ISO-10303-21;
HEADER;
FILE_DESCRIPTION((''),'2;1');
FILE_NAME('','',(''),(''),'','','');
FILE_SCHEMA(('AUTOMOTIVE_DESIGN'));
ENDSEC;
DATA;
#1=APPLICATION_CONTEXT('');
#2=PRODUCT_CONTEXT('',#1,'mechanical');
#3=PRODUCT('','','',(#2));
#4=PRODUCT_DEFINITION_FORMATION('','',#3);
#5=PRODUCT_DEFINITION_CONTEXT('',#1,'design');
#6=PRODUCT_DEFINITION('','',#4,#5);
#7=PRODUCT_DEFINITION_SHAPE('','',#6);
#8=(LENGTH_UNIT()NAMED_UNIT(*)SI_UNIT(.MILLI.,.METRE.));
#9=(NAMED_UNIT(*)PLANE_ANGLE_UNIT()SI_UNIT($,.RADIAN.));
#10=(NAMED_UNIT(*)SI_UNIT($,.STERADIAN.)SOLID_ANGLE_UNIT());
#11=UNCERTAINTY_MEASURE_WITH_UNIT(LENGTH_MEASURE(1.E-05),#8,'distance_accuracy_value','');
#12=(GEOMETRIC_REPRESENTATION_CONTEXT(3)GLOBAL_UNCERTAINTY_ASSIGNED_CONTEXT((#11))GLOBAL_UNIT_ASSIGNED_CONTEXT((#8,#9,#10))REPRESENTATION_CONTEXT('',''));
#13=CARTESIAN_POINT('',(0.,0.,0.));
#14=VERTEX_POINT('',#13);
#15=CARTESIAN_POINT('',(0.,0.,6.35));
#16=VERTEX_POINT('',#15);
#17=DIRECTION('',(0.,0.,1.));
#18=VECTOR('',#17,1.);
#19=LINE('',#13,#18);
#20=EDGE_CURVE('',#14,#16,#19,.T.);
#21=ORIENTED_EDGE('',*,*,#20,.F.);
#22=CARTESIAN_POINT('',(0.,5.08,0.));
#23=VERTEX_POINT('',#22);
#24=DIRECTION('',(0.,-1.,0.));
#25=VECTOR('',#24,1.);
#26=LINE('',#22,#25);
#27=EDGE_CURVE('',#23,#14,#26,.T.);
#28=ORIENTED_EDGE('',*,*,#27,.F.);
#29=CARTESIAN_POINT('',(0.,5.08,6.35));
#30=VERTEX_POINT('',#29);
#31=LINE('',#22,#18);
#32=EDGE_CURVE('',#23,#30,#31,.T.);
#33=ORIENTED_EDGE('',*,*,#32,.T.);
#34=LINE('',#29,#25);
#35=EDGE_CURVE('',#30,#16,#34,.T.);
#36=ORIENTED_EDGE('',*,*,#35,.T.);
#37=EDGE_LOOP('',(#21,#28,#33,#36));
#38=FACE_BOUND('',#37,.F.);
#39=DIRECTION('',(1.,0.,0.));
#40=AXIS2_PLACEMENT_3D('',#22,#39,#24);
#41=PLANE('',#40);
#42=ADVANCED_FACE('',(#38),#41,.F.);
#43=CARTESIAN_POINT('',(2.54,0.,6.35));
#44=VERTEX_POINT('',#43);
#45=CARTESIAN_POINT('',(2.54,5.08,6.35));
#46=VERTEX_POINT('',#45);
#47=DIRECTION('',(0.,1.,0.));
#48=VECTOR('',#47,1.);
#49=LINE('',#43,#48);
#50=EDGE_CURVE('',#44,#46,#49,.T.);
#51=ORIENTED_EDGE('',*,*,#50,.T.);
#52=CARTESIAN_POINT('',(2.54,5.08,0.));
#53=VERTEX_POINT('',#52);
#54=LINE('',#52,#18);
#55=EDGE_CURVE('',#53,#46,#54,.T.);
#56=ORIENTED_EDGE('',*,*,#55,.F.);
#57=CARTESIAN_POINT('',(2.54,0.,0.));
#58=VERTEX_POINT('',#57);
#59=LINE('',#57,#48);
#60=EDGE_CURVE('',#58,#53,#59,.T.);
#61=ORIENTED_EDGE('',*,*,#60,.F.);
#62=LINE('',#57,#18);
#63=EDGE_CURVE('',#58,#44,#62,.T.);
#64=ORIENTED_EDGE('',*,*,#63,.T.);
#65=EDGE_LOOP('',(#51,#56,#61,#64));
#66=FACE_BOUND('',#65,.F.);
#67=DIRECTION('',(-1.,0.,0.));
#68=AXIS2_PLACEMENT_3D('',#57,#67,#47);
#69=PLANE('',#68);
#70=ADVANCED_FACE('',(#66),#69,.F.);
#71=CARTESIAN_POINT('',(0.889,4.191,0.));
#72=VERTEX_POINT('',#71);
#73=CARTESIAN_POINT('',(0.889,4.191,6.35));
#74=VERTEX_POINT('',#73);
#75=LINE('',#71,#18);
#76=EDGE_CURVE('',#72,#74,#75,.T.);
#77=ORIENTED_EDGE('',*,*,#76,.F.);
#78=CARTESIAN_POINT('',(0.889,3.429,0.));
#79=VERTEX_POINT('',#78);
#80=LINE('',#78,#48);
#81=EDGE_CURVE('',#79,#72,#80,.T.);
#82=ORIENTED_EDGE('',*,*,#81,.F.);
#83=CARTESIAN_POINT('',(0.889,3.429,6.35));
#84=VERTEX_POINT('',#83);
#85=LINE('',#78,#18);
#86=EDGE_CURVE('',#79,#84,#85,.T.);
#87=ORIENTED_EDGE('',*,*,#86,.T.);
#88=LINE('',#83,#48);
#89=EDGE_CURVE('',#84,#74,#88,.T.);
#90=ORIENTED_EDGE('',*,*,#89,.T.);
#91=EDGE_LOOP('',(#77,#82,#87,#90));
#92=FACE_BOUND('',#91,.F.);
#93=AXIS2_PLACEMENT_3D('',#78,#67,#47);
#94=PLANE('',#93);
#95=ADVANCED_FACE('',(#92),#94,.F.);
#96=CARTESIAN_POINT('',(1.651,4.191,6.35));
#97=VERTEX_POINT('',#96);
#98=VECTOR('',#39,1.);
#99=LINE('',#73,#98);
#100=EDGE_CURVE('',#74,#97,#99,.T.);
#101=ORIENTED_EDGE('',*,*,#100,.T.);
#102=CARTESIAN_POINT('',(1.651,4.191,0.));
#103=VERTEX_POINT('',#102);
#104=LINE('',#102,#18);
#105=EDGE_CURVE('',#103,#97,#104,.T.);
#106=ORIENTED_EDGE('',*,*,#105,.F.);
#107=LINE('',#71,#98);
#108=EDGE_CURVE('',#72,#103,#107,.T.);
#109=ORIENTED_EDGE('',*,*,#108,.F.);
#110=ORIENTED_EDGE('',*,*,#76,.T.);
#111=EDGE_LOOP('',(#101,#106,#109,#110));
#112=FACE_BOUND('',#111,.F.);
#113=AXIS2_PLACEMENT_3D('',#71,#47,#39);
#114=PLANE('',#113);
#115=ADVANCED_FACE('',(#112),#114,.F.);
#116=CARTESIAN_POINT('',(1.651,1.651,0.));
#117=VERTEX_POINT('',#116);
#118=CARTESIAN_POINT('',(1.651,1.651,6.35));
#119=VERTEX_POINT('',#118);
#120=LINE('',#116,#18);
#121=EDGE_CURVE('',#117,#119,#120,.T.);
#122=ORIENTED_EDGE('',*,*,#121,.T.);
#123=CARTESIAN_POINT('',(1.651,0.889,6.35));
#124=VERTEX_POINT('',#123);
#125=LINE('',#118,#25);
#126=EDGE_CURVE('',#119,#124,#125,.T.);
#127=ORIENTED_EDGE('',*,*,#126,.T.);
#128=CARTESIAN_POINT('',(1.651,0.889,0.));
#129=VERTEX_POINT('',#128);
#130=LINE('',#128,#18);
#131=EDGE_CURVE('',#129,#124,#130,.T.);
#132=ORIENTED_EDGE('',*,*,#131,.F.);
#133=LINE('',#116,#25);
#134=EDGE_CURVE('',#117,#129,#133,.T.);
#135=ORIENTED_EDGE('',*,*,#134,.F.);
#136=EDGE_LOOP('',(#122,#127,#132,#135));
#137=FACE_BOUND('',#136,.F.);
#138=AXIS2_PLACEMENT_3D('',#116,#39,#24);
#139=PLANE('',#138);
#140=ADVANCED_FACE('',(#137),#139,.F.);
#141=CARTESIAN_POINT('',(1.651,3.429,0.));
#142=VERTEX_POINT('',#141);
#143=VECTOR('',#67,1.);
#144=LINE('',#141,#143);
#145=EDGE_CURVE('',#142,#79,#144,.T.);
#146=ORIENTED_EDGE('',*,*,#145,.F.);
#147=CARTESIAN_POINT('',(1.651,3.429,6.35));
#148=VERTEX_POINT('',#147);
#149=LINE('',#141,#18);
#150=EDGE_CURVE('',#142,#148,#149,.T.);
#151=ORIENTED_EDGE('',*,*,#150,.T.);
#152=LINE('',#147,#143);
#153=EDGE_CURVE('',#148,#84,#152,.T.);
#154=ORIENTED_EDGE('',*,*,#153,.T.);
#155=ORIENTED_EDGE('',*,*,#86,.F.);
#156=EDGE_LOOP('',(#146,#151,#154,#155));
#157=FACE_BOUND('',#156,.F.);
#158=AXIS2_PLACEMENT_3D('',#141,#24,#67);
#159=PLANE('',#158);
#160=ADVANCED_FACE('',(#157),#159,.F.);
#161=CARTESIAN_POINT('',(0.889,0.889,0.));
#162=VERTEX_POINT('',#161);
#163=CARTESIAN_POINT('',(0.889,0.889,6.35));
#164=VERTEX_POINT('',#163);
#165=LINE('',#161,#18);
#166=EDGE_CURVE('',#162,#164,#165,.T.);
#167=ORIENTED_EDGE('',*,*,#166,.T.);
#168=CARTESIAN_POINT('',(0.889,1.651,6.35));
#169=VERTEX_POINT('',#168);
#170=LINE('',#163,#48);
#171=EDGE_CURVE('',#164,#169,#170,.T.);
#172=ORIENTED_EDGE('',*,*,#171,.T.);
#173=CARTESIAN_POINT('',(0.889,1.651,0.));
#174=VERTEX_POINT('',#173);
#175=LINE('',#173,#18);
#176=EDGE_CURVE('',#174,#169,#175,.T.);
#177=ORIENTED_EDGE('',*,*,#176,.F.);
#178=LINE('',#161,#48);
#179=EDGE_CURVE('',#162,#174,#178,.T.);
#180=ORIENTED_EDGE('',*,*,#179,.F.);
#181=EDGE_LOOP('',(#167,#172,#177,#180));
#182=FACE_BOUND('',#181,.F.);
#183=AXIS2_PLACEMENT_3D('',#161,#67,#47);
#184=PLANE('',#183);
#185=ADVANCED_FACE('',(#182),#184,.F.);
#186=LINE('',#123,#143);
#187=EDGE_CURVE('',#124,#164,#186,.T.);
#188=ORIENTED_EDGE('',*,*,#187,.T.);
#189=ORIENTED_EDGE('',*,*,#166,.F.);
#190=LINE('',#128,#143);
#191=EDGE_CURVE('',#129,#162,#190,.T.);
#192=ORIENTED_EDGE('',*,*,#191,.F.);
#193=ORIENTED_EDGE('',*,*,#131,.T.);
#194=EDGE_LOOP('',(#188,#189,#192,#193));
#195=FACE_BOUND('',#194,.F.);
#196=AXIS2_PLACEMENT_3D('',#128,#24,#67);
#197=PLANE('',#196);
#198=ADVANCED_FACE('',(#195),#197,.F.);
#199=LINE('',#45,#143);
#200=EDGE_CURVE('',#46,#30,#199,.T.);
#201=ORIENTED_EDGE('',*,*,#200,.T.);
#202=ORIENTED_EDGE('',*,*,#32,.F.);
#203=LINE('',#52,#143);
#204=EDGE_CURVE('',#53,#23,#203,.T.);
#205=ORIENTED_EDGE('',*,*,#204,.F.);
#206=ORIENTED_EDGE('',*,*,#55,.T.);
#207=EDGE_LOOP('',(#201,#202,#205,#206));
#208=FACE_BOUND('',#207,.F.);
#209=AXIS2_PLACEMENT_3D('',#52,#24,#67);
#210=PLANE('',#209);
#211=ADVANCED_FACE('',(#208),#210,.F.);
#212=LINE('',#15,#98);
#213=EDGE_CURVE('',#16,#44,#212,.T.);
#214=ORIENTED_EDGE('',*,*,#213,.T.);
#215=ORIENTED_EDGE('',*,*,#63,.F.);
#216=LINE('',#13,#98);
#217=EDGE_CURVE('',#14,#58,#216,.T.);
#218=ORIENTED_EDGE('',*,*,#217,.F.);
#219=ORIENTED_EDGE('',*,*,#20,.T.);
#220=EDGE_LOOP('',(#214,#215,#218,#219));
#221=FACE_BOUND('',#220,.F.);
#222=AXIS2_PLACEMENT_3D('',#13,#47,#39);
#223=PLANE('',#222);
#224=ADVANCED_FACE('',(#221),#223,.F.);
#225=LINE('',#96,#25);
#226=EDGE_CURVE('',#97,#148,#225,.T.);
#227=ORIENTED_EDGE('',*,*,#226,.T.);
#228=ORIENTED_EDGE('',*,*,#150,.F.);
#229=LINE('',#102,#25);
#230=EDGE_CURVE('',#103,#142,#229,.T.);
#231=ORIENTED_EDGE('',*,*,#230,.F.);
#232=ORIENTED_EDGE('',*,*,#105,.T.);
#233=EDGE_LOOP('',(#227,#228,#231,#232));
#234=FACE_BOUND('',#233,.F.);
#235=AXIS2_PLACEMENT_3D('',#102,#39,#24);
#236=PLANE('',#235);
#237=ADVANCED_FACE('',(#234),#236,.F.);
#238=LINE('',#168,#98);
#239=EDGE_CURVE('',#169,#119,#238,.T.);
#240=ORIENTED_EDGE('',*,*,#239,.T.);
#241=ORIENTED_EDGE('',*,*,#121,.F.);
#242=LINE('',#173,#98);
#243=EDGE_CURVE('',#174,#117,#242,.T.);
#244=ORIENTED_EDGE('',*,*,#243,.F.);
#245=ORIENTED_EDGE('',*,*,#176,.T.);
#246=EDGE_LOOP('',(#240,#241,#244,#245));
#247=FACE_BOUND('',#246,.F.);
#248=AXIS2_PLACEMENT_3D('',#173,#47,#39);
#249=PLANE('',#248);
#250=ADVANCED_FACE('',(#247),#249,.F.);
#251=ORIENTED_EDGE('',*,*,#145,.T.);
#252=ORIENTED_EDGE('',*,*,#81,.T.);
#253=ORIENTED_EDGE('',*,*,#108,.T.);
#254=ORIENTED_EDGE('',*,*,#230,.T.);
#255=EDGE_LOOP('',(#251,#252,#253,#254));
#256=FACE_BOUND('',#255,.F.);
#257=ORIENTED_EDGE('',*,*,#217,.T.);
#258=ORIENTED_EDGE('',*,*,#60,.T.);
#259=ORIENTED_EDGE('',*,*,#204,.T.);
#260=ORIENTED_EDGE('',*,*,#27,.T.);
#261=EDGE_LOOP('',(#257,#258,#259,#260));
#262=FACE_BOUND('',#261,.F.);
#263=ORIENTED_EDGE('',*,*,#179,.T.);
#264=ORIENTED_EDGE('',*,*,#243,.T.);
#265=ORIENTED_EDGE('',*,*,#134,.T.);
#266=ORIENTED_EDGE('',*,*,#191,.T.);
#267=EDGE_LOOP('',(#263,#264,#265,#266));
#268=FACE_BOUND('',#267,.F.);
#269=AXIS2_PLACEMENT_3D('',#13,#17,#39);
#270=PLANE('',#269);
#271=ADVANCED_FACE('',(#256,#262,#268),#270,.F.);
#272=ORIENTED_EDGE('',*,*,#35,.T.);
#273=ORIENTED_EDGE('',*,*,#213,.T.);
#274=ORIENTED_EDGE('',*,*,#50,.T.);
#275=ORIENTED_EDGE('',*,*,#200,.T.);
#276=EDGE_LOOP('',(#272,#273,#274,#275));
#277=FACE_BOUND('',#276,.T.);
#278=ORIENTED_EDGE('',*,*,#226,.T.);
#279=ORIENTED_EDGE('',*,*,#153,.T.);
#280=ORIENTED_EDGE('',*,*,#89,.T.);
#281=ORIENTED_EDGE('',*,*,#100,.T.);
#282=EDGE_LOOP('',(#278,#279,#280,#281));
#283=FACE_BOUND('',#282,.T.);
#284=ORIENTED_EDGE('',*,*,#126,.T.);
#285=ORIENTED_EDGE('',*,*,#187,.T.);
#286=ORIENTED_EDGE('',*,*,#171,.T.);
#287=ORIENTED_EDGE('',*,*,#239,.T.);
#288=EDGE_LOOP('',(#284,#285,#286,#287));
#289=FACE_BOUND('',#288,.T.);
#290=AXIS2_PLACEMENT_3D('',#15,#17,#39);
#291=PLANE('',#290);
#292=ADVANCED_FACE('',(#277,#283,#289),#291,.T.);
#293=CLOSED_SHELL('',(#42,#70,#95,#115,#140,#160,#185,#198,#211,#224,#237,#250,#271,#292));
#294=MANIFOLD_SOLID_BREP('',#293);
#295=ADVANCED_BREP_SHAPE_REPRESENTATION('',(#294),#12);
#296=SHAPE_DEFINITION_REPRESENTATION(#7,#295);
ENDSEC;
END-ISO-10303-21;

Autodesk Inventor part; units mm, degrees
ref_plane "YZ Plane" through (0, 0, 0) normal (1, 0, 0) x (0, 1, 0)
ref_plane "XZ Plane" through (0, 0, 0) normal (0, 1, 0) x (-1, 0, 0)
ref_plane "XY Plane" through (0, 0, 0) normal (0, 0, 1) x (1, 0, 0)
sketch "Sketch1" plane through (0, 0, 0) normal (0, 0, 1) x (1, 0, 0)
  line L0 (0.889, 1.651) -> (1.651, 1.651)
  line L1 (1.651, 1.651) -> (1.651, 0.889)
  line L2 (1.651, 0.889) -> (0.889, 0.889)
  line L3 (0.889, 0.889) -> (0.889, 1.651)
  line L4 (0.889, 4.191) -> (1.651, 4.191)
  line L5 (1.651, 4.191) -> (1.651, 3.429)
  line L6 (1.651, 3.429) -> (0.889, 3.429)
  line L7 (0.889, 3.429) -> (0.889, 4.191)
  line L8 (0, 5.08) -> (0, 0)
  line L9 (0, 0) -> (2.54, 0)
  line L10 (2.54, 0) -> (2.54, 5.08)
  line L11 (2.54, 5.08) -> (0, 5.08)
  point P0 (5.08, 24.13)
extrude "Extrusion1" add sketch "Sketch1" along normal blind 6.35
ref_plane "Work Plane6" through (0, 0, 9.525) normal (0, 0, 1) x (1, 0, 0)
ref_plane "Work Plane7" through (0, 0, 12.7) normal (0, 0, 1) x (1, 0, 0)
ref_plane "Work Plane8" through (0, 0, 9.525) normal (0, 0, 1) x (1, 0, 0)
ref_plane "Work Plane9" through (0, 0, 12.7) normal (0, 0, 1) x (1, 0, 0)
ref_plane "Work Plane10" through (0, 0, 9.525) normal (0, 0, 1) x (1, 0, 0)
ref_plane "Work Plane11" through (0, 0, 12.7) normal (0, 0, 1) x (1, 0, 0)
properties part number "pwm connector 3 pin"
